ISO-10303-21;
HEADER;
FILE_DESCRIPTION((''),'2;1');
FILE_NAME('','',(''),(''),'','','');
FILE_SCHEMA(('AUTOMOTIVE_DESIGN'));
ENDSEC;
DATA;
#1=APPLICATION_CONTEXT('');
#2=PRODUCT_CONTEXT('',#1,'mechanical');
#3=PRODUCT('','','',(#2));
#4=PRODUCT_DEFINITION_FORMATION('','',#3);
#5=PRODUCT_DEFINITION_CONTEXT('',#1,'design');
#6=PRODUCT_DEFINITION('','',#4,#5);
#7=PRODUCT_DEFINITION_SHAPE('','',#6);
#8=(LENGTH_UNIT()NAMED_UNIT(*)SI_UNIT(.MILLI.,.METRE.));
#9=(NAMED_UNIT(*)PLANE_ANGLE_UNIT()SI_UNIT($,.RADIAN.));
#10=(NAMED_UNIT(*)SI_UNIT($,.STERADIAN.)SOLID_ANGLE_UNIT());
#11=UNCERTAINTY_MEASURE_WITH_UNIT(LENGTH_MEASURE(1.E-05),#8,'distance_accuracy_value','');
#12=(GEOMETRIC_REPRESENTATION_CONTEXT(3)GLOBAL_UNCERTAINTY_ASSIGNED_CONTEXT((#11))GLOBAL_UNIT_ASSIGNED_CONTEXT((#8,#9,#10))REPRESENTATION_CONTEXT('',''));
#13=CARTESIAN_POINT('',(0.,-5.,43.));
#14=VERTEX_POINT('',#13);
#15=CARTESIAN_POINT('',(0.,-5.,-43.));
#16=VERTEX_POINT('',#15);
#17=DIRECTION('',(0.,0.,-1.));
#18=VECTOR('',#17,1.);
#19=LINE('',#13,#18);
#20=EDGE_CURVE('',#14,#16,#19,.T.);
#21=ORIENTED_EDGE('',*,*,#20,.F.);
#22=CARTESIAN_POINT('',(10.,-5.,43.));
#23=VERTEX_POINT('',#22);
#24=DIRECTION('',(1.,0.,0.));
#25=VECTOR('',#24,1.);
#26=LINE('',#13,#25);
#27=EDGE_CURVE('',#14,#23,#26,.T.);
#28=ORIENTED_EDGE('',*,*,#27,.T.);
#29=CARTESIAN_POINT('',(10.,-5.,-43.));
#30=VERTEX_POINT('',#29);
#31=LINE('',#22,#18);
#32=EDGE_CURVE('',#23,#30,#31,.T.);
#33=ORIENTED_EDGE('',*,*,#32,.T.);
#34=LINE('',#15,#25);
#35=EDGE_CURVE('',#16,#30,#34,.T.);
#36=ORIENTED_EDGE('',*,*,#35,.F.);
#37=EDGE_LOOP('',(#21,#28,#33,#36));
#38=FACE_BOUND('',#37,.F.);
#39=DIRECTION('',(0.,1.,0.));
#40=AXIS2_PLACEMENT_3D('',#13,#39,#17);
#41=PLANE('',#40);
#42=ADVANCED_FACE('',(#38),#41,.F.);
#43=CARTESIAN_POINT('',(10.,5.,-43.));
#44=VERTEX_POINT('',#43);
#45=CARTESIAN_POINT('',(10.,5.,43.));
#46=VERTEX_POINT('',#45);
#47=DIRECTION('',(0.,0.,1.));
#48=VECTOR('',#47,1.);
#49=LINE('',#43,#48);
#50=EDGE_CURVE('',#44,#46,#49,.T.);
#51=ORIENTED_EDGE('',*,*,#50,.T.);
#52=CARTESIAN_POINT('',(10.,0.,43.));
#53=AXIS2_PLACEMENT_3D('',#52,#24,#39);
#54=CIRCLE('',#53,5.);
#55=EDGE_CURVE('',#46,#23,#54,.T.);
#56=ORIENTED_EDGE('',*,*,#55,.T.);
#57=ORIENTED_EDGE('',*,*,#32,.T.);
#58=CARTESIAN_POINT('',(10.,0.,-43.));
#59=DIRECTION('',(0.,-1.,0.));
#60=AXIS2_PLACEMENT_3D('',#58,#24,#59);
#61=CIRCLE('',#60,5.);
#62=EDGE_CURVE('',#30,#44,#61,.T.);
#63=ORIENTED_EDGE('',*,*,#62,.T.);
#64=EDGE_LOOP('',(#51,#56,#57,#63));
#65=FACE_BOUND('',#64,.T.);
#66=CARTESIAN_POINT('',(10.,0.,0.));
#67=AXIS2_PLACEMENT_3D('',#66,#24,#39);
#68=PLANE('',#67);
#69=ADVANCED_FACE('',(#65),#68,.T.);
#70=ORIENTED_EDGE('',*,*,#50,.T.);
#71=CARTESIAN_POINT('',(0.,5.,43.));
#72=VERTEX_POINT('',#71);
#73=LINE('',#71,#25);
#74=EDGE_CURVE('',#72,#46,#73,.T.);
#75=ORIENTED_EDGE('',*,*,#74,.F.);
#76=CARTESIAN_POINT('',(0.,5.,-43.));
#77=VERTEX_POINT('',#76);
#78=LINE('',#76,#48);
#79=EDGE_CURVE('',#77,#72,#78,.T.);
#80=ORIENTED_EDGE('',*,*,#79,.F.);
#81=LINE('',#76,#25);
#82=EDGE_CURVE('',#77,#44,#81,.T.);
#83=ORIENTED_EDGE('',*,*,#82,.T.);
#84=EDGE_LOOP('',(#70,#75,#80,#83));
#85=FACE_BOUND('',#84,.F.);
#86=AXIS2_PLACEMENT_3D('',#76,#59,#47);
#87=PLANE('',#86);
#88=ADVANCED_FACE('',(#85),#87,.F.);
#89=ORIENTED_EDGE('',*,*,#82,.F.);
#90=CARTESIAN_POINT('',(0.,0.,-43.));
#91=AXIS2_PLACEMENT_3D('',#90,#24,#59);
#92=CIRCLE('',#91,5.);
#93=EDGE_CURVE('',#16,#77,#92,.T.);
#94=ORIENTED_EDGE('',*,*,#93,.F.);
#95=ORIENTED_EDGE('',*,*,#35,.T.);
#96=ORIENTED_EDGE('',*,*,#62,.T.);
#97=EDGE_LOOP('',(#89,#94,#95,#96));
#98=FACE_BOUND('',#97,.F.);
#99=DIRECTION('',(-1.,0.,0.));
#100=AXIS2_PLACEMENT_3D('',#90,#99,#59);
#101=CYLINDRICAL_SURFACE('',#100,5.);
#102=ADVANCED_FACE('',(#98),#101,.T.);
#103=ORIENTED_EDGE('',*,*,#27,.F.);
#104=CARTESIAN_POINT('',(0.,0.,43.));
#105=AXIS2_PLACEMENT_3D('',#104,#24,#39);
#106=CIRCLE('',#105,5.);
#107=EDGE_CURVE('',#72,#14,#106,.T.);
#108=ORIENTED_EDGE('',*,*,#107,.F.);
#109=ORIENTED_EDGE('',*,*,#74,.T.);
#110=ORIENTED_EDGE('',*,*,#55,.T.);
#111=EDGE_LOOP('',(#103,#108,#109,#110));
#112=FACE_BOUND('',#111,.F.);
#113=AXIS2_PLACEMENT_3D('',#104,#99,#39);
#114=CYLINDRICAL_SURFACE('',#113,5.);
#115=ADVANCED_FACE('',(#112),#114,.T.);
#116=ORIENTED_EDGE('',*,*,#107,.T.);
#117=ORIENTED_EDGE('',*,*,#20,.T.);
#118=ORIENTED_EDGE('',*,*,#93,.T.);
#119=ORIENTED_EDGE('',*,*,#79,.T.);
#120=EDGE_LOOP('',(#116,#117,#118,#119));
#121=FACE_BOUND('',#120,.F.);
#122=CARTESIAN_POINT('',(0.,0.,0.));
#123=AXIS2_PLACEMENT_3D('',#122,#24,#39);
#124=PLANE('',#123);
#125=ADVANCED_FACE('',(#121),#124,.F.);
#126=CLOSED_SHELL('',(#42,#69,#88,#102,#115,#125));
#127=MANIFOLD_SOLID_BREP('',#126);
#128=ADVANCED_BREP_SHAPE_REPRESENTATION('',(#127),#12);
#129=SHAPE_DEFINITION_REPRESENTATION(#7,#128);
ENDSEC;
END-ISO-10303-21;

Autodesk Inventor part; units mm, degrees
ref_plane "YZ Plane" through (0, 0, 0) normal (1, 0, 0) x (0, 1, 0)
ref_plane "XZ Plane" through (0, 0, 0) normal (0, 1, 0) x (-1, 0, 0)
ref_plane "XY Plane" through (0, 0, 0) normal (0, 0, 1) x (1, 0, 0)
sketch "Sketch1" plane through (0, 0, 0) normal (1, 0, 0) x (0, 1, 0)
  line L0 (0, -43) -> (0, 43) construction
  line L1 (5, -43) -> (5, 43)
  line L2 (-5, 43) -> (-5, -43)
  arc A0 (-5, -43) -> (5, -43) centre (0, -43) ccw
  arc A1 (5, 43) -> (-5, 43) centre (0, 43) ccw
  point P0 (0, 0)
  dimension "d0" = 86
  dimension "d5" = 10
extrude "Extrusion1" add sketch "Sketch1" along normal blind 10
properties part number "Link A"
